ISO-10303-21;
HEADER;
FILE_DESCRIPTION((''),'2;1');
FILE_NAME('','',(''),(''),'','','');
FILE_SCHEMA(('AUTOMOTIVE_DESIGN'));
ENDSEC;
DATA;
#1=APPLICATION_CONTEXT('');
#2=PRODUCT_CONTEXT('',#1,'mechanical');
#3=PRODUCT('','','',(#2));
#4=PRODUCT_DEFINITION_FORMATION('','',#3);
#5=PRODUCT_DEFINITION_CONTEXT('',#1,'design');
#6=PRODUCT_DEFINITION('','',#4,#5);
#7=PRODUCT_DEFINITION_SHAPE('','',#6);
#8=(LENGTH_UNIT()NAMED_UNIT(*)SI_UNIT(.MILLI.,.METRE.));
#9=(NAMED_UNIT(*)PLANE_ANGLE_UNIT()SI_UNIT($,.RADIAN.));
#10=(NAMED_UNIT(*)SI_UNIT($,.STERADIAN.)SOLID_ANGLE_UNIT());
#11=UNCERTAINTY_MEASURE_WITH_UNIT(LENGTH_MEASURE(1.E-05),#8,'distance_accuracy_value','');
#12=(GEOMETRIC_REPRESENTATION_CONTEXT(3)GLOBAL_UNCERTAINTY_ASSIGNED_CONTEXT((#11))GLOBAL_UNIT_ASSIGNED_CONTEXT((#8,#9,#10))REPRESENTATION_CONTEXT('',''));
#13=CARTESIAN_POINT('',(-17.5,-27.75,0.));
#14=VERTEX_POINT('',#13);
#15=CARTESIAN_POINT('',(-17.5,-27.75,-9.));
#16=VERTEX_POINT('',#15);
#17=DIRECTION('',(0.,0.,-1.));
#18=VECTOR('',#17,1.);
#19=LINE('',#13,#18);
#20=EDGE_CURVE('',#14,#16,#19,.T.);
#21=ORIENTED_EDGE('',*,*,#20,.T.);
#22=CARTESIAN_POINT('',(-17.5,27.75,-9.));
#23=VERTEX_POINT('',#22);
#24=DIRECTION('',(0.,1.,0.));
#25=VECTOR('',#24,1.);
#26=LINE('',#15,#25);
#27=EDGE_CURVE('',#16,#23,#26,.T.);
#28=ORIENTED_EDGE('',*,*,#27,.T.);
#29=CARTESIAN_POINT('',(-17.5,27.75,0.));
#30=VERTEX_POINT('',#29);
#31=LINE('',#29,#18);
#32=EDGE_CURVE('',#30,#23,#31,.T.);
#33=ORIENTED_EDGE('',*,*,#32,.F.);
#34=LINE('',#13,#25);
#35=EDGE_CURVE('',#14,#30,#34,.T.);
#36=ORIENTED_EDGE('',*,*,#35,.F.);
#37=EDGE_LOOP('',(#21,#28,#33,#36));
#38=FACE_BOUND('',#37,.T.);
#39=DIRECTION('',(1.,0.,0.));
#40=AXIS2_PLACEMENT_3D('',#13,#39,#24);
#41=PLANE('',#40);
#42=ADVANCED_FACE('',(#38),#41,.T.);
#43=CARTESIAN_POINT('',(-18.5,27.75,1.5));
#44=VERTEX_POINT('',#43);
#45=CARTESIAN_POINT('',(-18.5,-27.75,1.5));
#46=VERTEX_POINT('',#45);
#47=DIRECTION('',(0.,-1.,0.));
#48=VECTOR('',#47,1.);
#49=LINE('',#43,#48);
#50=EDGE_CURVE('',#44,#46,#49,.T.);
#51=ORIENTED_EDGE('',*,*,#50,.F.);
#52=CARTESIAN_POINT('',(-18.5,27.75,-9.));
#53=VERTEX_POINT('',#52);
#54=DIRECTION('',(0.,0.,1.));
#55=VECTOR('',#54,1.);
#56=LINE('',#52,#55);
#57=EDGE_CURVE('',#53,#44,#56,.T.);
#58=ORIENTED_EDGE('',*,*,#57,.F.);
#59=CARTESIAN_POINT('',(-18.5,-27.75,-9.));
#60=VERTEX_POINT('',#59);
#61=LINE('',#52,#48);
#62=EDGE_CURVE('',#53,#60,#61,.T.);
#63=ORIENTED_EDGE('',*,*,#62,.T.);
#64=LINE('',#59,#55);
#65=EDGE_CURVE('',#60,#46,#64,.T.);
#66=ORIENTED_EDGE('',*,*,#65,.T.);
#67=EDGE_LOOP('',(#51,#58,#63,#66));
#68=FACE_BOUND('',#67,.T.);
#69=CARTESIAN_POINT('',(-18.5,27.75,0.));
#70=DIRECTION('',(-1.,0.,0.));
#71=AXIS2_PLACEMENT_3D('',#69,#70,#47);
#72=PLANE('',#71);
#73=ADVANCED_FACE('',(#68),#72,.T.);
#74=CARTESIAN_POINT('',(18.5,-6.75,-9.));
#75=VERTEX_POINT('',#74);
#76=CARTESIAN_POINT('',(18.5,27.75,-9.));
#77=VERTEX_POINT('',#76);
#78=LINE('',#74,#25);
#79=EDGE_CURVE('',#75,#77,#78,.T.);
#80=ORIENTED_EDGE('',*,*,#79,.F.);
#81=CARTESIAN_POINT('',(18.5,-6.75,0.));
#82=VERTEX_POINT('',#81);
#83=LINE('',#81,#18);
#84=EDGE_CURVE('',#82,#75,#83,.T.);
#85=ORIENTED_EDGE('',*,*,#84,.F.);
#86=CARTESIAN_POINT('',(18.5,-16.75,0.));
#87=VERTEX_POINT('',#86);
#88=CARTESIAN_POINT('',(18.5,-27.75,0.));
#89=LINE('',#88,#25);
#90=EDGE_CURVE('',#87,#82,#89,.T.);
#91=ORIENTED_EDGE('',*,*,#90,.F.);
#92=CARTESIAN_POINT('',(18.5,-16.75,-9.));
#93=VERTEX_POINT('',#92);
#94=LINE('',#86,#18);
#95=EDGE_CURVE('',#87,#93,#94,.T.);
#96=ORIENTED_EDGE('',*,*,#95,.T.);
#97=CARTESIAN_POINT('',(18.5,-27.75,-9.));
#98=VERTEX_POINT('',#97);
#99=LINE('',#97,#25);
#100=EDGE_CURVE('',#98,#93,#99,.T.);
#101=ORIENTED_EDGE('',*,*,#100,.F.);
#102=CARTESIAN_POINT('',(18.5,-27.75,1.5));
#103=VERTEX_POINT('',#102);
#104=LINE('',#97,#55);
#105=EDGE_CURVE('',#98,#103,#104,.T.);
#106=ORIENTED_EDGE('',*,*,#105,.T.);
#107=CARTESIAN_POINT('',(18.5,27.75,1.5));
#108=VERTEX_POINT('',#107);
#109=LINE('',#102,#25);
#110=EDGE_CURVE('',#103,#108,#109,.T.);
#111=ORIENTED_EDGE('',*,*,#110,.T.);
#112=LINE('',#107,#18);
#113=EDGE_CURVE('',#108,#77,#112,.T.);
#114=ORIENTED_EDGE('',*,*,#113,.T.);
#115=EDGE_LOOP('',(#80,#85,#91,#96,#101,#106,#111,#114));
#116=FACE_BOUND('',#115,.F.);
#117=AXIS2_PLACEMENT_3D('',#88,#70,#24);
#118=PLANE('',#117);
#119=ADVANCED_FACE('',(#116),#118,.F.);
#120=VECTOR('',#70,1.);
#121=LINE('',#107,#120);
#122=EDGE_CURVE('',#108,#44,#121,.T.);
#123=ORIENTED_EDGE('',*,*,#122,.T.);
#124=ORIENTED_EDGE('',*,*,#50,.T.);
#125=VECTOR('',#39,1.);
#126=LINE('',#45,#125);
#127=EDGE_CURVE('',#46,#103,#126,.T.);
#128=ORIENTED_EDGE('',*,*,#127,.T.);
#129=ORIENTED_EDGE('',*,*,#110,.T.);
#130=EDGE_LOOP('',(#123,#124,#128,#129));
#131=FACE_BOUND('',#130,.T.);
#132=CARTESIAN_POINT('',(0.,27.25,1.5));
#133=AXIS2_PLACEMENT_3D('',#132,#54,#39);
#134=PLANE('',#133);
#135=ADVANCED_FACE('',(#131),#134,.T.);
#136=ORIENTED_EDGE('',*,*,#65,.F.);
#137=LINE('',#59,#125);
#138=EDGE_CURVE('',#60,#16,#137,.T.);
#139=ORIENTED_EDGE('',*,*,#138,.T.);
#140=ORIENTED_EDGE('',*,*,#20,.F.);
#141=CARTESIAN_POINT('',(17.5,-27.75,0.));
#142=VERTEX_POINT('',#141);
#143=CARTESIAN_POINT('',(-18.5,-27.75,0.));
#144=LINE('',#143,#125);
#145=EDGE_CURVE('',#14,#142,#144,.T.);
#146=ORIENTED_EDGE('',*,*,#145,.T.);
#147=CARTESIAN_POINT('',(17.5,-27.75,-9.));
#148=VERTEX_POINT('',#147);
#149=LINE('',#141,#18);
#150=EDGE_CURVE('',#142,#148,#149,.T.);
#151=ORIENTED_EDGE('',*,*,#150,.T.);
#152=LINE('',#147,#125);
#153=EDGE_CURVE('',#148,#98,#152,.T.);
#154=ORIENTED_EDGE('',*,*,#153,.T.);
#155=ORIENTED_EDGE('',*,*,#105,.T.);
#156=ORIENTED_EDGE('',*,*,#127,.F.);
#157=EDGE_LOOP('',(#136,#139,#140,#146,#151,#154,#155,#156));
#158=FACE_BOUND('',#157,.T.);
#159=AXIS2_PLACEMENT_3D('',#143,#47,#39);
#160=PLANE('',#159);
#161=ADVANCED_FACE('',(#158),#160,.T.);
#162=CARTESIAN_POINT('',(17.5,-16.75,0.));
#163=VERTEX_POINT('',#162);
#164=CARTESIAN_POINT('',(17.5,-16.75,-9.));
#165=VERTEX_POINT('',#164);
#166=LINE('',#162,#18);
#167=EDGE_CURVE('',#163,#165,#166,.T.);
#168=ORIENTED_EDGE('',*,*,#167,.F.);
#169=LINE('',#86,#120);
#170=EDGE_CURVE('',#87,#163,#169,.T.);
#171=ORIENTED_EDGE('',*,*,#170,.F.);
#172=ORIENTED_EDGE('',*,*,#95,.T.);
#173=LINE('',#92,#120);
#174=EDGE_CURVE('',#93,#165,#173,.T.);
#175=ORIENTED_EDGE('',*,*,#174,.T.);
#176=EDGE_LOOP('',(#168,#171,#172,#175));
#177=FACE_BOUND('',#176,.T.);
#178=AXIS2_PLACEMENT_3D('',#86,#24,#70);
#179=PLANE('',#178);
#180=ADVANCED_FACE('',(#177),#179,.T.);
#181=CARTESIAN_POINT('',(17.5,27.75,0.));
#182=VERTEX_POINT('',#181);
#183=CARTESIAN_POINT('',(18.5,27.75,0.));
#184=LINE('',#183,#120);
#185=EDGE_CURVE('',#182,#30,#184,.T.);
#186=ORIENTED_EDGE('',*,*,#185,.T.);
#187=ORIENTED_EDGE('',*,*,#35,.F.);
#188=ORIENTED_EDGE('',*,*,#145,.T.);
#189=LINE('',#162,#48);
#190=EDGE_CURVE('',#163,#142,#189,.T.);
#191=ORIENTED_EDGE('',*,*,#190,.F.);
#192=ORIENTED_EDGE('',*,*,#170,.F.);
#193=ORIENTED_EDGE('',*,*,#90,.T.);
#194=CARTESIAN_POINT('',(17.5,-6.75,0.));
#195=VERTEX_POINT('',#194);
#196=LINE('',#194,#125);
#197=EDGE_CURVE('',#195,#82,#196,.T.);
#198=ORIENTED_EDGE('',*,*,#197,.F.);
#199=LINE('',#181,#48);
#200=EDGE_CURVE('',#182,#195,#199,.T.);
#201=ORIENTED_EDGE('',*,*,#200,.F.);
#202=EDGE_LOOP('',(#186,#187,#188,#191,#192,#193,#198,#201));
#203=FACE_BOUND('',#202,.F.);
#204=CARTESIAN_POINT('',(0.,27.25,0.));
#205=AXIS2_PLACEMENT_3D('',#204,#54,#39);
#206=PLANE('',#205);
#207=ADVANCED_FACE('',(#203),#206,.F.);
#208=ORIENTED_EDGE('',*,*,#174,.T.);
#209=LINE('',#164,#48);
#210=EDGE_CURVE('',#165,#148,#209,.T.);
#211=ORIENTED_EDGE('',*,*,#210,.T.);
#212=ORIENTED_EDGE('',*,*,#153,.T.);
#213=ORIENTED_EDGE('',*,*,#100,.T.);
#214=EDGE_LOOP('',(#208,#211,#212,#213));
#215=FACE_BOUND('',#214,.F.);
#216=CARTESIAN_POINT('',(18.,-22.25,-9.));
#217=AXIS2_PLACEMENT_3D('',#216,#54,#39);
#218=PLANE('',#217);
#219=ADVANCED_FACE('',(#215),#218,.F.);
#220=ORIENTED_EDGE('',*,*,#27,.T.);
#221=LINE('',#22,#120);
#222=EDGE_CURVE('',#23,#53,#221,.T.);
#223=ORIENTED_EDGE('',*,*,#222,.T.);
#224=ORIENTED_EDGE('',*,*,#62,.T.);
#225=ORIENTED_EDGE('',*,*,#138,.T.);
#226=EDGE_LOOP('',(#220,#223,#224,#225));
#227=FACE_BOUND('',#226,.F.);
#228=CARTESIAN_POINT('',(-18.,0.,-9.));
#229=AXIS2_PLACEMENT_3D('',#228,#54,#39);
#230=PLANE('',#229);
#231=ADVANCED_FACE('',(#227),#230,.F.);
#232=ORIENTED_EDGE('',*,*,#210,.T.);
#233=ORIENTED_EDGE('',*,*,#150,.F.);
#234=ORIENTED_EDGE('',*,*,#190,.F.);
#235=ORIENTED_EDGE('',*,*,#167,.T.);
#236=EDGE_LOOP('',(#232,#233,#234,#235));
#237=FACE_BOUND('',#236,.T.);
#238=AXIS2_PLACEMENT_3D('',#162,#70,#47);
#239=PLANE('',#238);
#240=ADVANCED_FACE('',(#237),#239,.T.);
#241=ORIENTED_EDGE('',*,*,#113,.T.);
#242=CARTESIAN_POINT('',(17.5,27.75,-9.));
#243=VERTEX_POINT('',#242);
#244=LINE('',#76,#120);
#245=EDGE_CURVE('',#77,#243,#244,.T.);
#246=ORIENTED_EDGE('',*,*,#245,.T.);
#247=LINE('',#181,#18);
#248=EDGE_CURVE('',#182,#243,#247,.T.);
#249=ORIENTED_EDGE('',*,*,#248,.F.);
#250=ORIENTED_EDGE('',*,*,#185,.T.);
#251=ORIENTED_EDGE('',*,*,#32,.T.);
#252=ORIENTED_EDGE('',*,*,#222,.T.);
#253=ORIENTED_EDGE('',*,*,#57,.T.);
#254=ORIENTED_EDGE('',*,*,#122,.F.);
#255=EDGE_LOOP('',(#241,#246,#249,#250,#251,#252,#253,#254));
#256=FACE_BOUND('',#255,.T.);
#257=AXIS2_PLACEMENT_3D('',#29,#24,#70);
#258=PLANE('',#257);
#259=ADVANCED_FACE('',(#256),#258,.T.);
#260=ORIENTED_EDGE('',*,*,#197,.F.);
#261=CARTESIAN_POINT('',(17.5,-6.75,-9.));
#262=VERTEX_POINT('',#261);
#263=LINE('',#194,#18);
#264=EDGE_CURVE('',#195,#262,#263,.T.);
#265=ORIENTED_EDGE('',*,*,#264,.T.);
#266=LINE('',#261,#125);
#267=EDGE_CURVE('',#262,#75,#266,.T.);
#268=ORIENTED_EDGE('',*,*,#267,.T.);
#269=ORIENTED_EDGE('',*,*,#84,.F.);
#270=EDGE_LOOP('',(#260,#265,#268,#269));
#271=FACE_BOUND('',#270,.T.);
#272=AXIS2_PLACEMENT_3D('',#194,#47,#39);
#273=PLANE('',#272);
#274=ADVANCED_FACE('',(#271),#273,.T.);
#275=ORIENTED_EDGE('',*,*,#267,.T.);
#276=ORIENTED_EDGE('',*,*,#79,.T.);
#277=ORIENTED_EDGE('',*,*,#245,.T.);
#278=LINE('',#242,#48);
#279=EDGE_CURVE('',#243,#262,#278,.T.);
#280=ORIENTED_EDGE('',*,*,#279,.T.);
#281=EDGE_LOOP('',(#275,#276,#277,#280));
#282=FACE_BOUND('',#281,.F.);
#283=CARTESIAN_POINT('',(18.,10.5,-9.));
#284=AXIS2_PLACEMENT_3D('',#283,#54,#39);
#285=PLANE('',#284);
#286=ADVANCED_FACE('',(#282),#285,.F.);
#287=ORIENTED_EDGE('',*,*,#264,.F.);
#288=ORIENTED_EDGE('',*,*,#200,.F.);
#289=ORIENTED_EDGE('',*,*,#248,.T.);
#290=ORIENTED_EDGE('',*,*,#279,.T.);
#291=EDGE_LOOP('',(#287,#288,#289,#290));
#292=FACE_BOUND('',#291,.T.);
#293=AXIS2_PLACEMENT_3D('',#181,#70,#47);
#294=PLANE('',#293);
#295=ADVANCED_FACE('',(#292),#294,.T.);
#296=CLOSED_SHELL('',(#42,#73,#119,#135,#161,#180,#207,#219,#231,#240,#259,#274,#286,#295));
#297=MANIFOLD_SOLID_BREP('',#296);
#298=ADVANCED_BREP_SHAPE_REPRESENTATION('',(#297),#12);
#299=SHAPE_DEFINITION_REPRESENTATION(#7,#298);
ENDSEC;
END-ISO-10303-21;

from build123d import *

# Parameters (mm, degrees)
F0_W     = 1
F0_H     = 10
F1_DEPTH = 1.5
F2_DEPTH = 9


with BuildPart() as f1:
    # F0 (on Top) → F1 (new body)
    with BuildSketch(Plane.XY):
        Polygon((-17.5, 26.75), (0, 26.75), (17.5, 26.75), (17.5, 27.75), (0, 27.75), (-17.5, 27.75), align=None)
        Polygon((-17.5, 0), (-17.5, 26.75), (-17.5, 27.75), (-18.5, 27.75), (-18.5, -27.75), (-17.5, -27.75), (-17.5, -26.75), align=None)
        Polygon((17.5, 26.75), (0, 26.75), (-17.5, 26.75), (-17.5, 0), (-17.5, -26.75), (0, -26.75), (17.5, -26.75), (17.5, -16.75), (17.5, -6.75), (17.5, 0), align=None)
        Polygon((0, -26.75), (-17.5, -26.75), (-17.5, -27.75), (0, -27.75), (17.5, -27.75), (17.5, -26.75), align=None)
        Polygon((17.5, 27.75), (17.5, 26.75), (17.5, 0), (17.5, -6.75), (18.5, -6.75), (18.5, 27.75), align=None)
        Polygon((18.5, -16.75), (17.5, -16.75), (17.5, -26.75), (17.5, -27.75), (18.5, -27.75), align=None)
        with Locations((18, -11.75)):
            Rectangle(F0_W, F0_H)
    extrude(amount=F1_DEPTH)

    # F0 (on Top) → F2 (join)
    with BuildSketch(Plane.XY):
        Polygon((-17.5, 0), (-17.5, 26.75), (-17.5, 27.75), (-18.5, 27.75), (-18.5, -27.75), (-17.5, -27.75), (-17.5, -26.75), align=None)
        Polygon((17.5, 27.75), (17.5, 26.75), (17.5, 0), (17.5, -6.75), (18.5, -6.75), (18.5, 27.75), align=None)
        Polygon((18.5, -16.75), (17.5, -16.75), (17.5, -26.75), (17.5, -27.75), (18.5, -27.75), align=None)
    extrude(amount=-F2_DEPTH)


solid = f1.part
